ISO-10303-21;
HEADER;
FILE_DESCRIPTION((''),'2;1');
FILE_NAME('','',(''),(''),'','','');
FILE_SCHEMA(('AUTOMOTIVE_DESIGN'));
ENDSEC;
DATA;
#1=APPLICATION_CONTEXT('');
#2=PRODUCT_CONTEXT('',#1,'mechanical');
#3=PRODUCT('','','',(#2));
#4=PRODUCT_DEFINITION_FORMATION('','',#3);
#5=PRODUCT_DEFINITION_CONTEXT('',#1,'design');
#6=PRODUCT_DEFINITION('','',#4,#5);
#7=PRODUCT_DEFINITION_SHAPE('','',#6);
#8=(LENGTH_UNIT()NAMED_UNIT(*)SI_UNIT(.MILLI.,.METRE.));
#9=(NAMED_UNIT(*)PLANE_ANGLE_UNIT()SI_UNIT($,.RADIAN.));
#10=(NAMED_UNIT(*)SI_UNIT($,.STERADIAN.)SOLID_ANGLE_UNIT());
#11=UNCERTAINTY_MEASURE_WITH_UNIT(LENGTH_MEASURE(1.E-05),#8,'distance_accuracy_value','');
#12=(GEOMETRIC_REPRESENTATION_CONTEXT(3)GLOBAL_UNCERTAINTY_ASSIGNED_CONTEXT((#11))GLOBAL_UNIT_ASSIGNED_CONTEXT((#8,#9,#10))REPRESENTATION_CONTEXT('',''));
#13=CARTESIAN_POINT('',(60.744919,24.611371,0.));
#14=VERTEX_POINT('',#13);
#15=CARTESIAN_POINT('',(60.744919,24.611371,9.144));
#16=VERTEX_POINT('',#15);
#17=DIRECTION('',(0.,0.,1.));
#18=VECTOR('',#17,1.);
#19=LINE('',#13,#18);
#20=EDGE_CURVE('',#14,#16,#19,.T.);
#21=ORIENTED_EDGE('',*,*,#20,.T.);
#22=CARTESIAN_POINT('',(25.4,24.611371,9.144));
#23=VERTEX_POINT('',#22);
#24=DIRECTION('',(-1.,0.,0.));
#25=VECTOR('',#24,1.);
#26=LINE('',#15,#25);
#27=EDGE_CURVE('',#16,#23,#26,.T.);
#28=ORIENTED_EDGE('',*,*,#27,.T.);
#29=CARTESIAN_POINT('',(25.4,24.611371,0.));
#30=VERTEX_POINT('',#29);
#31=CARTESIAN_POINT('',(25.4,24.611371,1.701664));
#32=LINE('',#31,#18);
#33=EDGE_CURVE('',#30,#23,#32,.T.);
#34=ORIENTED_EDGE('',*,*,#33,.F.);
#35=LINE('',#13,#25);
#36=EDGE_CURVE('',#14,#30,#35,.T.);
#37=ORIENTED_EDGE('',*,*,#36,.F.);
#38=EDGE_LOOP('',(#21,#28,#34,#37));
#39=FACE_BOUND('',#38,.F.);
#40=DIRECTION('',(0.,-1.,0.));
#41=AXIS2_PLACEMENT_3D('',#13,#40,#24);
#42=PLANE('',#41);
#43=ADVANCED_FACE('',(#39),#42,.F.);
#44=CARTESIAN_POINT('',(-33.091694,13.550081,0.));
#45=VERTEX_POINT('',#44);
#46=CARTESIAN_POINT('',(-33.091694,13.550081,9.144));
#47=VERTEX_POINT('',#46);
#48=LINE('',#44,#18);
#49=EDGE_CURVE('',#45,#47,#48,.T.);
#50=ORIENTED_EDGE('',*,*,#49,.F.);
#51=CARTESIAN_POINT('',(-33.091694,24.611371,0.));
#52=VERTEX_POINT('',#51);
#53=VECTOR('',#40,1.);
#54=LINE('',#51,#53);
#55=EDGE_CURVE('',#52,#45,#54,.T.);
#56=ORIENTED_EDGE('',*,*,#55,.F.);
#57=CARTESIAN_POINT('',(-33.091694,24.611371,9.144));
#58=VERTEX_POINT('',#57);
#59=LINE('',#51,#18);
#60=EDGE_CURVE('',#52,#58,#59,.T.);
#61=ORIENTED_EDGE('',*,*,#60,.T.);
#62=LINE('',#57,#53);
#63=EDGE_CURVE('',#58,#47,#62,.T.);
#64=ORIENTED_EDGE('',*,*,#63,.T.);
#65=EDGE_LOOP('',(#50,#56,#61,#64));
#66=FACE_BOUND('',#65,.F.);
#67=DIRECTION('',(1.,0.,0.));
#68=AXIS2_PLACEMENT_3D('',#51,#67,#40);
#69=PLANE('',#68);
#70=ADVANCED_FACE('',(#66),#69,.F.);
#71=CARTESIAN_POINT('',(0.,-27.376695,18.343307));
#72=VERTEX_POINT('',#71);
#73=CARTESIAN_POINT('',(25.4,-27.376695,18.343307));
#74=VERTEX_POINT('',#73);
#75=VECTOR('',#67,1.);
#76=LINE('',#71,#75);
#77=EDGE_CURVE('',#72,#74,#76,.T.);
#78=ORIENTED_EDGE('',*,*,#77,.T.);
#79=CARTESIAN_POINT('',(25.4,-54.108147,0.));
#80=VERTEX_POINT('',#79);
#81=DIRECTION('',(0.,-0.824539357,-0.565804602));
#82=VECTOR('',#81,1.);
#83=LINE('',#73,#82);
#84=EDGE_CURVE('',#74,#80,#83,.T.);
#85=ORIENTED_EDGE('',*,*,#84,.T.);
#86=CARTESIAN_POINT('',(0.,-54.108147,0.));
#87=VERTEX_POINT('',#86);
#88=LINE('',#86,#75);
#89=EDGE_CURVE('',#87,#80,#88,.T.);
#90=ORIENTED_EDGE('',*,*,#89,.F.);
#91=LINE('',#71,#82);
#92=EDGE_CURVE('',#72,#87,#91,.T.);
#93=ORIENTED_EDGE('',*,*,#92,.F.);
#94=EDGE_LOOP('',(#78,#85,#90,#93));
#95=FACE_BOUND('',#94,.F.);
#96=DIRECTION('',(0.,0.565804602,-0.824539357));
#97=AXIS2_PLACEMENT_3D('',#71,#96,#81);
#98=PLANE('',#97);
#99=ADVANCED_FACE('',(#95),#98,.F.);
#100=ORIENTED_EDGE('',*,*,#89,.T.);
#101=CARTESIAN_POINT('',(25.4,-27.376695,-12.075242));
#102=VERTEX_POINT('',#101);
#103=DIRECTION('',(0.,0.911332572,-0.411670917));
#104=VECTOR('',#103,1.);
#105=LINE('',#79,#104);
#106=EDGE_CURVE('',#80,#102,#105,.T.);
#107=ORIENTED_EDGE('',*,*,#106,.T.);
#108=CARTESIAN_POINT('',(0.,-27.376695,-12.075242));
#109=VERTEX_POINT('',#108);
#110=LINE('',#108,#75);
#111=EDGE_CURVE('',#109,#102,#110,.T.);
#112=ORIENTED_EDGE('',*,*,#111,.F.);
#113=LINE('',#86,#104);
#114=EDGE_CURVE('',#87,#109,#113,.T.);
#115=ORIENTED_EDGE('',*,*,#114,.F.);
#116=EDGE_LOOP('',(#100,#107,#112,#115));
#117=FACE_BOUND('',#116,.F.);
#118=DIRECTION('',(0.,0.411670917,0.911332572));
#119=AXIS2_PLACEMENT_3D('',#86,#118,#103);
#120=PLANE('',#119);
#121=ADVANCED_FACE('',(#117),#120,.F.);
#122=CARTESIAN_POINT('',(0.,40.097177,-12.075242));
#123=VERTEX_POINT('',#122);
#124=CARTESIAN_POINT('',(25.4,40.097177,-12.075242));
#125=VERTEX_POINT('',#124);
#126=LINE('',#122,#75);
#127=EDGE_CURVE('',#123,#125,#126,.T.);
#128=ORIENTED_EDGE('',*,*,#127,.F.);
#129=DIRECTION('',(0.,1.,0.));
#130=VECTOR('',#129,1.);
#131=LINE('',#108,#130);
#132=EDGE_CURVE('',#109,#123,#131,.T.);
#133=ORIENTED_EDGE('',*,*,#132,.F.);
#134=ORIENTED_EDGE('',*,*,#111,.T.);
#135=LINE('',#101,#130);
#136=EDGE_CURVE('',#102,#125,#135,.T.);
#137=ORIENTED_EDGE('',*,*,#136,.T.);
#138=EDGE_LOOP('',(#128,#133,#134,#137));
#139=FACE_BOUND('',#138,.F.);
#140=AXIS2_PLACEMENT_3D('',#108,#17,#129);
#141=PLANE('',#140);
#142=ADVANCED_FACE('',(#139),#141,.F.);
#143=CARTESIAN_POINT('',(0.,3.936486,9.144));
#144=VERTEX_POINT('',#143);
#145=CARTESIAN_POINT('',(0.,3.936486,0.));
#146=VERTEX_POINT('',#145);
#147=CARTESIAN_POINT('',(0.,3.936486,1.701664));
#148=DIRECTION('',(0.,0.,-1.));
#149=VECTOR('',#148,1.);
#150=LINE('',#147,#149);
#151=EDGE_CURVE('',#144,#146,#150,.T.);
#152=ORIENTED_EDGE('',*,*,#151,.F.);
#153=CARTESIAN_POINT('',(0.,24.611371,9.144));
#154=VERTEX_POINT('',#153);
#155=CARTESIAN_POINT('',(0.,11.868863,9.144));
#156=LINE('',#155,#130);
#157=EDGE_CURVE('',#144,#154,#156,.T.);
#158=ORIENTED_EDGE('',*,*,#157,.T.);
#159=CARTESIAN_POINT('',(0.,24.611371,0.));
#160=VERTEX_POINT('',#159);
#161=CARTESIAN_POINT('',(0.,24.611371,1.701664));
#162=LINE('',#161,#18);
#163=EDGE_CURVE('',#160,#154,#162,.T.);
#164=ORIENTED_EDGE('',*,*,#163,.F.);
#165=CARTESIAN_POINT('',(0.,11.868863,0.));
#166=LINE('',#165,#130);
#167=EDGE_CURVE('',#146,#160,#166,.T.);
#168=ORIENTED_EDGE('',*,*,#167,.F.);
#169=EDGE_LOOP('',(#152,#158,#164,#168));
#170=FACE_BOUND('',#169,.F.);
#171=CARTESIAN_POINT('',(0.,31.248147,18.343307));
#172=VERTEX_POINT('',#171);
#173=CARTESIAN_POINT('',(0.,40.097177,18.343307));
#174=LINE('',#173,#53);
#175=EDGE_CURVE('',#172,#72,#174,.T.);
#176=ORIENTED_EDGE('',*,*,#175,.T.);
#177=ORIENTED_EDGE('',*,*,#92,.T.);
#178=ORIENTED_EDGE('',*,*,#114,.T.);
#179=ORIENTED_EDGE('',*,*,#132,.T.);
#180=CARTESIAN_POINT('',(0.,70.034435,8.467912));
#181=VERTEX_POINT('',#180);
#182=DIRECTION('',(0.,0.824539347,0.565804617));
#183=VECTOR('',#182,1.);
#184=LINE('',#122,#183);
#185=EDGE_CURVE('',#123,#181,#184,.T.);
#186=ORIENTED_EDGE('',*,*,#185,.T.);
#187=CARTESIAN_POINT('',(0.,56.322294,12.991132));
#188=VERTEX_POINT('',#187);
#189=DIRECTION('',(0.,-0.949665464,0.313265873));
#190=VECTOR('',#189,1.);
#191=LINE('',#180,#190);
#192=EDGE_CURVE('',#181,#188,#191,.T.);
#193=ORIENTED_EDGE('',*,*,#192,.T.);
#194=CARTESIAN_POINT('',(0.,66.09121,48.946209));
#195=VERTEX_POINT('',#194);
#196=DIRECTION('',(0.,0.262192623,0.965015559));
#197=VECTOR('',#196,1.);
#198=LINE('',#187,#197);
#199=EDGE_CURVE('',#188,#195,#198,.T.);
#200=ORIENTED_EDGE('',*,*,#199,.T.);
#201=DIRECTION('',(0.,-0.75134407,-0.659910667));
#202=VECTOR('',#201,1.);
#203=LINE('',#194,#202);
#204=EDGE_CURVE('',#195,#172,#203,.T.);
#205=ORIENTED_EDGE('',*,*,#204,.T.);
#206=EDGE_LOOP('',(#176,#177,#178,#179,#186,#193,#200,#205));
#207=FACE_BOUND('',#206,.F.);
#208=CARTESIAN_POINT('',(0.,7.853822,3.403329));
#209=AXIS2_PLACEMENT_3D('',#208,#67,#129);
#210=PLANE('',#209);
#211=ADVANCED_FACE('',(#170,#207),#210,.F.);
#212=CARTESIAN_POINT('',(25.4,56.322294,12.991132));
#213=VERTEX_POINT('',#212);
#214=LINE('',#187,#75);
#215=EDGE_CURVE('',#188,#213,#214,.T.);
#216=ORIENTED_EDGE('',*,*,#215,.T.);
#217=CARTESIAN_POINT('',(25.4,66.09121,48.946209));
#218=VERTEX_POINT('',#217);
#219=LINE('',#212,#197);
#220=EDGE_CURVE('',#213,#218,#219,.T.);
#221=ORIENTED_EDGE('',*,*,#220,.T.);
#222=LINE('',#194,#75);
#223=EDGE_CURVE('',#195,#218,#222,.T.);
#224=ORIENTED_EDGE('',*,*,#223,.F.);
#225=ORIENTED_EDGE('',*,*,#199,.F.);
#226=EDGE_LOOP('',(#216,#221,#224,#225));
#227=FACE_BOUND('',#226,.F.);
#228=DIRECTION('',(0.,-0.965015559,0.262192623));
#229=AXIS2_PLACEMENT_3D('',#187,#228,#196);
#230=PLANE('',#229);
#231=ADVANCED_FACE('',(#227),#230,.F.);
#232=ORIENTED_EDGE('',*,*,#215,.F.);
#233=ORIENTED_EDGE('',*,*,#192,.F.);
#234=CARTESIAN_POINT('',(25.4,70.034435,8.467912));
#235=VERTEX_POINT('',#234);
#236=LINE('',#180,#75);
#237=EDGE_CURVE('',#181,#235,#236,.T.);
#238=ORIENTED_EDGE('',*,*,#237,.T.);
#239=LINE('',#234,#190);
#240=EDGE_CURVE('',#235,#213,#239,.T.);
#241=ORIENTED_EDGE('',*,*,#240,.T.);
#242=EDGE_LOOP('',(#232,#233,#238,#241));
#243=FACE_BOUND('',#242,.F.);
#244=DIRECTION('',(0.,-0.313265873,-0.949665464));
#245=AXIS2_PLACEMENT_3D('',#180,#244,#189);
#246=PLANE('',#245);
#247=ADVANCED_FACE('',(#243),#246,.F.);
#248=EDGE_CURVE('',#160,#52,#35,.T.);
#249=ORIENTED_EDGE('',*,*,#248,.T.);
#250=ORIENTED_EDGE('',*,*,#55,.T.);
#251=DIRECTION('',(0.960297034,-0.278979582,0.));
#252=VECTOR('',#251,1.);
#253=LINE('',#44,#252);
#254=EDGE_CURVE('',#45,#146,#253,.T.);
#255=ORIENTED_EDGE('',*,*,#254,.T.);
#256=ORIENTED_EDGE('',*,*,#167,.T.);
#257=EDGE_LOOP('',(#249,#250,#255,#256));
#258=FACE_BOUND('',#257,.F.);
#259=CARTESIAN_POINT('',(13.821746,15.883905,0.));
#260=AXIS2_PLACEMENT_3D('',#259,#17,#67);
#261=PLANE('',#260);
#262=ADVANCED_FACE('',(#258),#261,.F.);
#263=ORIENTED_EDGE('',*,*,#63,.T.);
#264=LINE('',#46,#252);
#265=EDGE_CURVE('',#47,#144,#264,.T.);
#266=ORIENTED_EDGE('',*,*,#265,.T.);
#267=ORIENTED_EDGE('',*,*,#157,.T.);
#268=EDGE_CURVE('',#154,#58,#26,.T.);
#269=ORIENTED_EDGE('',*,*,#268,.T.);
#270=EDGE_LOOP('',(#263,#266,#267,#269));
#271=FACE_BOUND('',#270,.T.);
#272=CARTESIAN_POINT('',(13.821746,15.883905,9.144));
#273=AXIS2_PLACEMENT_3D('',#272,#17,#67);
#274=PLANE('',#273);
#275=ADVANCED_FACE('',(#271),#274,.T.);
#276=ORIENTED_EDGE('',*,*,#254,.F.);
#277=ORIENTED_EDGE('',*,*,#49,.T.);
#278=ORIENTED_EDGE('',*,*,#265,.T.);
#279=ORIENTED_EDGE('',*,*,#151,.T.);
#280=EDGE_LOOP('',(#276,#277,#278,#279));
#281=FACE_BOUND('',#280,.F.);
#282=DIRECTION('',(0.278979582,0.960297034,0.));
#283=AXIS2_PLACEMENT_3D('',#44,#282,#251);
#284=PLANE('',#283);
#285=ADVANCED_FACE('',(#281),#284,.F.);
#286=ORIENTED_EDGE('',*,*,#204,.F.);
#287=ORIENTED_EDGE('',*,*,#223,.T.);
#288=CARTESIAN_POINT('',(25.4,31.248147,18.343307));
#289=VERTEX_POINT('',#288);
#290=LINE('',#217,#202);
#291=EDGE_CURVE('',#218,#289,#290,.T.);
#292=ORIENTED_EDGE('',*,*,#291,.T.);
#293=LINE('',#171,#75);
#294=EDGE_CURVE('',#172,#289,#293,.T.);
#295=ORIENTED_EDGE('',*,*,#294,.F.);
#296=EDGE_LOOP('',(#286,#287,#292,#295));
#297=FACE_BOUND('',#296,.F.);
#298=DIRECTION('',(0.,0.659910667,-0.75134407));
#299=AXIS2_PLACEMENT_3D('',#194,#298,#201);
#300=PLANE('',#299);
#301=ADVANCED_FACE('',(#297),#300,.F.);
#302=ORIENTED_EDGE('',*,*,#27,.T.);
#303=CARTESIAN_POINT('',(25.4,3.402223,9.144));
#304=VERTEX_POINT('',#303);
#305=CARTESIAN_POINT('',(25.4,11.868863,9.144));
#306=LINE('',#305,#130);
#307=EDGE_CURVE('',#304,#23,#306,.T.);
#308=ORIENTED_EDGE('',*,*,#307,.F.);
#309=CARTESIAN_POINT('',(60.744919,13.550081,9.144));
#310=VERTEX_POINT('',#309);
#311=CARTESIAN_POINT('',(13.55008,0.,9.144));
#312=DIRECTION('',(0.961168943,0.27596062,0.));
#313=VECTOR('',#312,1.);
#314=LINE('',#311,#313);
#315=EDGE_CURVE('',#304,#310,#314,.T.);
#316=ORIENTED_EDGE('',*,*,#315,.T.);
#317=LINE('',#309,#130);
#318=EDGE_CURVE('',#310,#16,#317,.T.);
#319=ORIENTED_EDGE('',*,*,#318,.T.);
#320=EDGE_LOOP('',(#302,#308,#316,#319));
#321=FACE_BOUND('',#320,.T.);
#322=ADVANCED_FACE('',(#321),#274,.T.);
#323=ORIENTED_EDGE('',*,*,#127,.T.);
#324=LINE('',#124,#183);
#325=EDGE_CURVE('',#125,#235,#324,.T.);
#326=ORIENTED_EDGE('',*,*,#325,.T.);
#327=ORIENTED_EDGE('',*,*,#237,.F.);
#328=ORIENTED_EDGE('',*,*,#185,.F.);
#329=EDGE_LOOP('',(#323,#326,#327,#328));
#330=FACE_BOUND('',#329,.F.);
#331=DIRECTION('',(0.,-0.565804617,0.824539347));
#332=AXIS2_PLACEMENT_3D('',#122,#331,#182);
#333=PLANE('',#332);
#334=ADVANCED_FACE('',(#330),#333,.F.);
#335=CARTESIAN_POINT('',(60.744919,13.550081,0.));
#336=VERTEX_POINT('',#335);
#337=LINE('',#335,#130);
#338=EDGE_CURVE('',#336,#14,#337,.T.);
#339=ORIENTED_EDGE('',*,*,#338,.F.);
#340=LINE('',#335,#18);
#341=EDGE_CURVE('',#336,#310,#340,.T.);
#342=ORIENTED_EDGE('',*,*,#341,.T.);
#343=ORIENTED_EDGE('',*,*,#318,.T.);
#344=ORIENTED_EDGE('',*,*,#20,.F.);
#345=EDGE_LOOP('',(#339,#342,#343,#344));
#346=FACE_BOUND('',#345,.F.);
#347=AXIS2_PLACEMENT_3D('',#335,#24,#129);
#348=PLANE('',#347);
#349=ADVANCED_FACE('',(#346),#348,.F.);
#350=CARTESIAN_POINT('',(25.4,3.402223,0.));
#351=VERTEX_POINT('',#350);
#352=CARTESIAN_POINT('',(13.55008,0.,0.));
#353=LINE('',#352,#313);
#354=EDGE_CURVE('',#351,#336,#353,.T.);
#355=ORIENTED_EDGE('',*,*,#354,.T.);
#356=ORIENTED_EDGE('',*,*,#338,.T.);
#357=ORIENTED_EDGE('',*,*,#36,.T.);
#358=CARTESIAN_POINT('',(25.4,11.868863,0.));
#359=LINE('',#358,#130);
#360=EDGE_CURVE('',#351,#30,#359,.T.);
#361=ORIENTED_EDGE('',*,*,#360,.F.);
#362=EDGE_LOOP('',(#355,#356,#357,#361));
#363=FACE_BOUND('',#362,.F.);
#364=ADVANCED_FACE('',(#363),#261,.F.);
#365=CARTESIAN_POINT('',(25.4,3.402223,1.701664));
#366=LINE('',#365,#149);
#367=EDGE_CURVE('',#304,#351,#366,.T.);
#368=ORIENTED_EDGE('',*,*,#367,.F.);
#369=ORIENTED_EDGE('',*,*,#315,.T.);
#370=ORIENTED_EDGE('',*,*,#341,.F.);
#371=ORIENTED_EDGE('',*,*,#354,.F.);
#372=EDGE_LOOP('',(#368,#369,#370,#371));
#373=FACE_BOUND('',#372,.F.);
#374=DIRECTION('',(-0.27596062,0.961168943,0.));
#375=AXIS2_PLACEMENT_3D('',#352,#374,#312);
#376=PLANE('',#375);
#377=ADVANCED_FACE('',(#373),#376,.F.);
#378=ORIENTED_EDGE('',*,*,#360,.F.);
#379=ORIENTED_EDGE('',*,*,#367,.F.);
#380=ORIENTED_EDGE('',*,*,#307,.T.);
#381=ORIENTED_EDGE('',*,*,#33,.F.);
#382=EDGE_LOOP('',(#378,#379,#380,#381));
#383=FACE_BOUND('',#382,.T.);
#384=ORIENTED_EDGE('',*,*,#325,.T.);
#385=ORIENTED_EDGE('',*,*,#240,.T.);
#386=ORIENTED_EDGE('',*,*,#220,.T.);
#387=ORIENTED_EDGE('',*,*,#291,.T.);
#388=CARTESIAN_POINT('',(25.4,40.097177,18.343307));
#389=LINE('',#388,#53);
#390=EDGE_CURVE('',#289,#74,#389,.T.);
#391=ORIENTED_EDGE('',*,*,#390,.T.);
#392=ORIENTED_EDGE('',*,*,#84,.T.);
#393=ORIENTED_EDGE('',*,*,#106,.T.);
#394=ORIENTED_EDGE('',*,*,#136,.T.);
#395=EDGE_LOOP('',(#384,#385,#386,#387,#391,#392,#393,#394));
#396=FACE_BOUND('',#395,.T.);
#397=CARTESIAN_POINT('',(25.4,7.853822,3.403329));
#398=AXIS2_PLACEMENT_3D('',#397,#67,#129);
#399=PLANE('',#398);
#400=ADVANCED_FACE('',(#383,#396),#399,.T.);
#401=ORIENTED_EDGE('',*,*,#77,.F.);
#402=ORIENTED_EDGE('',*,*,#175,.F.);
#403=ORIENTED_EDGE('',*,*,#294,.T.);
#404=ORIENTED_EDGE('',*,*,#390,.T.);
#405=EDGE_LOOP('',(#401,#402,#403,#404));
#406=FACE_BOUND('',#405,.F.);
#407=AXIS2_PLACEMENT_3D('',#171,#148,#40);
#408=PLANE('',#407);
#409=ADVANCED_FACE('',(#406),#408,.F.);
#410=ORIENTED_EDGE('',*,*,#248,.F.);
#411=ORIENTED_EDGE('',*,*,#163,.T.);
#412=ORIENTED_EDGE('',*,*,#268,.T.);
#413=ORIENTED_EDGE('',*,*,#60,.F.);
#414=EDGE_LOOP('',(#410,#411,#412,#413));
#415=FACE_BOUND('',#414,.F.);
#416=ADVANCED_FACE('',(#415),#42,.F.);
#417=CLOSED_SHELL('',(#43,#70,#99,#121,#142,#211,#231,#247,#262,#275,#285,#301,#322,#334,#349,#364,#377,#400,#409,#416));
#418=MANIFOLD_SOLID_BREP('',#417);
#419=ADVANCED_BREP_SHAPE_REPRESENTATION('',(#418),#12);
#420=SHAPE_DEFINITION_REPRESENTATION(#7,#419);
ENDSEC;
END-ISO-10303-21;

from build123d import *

# Parameters (mm, degrees)
F2_DEPTH = 9.144
F3_DEPTH = 25.4


with BuildPart() as f2:
    # F1 (on Top) → F2 (new body)
    with BuildSketch(Plane.XY):
        Polygon((-33.091694, 13.550081), (13.55008, 0), (60.744919, 13.550081), (60.744919, 24.611371), (17.974598, 24.611371), (-33.091694, 24.611371), align=None)
    extrude(amount=F2_DEPTH)

    # F0 (on Right) → F3 (join)
    with BuildSketch(Plane.YZ):
        Polygon((-27.376695, 18.343307), (-54.108147, 0), (-27.376695, -12.075242), (40.097177, -12.075242), (70.034435, 8.467912), (56.322294, 12.991132), (40.097177, 18.343307), (31.248147, 18.343307), align=None)
        Polygon((66.09121, 48.946209), (31.248147, 18.343307), (40.097177, 18.343307), (56.322294, 12.991132), align=None)
    extrude(amount=F3_DEPTH)


solid = f2.part
